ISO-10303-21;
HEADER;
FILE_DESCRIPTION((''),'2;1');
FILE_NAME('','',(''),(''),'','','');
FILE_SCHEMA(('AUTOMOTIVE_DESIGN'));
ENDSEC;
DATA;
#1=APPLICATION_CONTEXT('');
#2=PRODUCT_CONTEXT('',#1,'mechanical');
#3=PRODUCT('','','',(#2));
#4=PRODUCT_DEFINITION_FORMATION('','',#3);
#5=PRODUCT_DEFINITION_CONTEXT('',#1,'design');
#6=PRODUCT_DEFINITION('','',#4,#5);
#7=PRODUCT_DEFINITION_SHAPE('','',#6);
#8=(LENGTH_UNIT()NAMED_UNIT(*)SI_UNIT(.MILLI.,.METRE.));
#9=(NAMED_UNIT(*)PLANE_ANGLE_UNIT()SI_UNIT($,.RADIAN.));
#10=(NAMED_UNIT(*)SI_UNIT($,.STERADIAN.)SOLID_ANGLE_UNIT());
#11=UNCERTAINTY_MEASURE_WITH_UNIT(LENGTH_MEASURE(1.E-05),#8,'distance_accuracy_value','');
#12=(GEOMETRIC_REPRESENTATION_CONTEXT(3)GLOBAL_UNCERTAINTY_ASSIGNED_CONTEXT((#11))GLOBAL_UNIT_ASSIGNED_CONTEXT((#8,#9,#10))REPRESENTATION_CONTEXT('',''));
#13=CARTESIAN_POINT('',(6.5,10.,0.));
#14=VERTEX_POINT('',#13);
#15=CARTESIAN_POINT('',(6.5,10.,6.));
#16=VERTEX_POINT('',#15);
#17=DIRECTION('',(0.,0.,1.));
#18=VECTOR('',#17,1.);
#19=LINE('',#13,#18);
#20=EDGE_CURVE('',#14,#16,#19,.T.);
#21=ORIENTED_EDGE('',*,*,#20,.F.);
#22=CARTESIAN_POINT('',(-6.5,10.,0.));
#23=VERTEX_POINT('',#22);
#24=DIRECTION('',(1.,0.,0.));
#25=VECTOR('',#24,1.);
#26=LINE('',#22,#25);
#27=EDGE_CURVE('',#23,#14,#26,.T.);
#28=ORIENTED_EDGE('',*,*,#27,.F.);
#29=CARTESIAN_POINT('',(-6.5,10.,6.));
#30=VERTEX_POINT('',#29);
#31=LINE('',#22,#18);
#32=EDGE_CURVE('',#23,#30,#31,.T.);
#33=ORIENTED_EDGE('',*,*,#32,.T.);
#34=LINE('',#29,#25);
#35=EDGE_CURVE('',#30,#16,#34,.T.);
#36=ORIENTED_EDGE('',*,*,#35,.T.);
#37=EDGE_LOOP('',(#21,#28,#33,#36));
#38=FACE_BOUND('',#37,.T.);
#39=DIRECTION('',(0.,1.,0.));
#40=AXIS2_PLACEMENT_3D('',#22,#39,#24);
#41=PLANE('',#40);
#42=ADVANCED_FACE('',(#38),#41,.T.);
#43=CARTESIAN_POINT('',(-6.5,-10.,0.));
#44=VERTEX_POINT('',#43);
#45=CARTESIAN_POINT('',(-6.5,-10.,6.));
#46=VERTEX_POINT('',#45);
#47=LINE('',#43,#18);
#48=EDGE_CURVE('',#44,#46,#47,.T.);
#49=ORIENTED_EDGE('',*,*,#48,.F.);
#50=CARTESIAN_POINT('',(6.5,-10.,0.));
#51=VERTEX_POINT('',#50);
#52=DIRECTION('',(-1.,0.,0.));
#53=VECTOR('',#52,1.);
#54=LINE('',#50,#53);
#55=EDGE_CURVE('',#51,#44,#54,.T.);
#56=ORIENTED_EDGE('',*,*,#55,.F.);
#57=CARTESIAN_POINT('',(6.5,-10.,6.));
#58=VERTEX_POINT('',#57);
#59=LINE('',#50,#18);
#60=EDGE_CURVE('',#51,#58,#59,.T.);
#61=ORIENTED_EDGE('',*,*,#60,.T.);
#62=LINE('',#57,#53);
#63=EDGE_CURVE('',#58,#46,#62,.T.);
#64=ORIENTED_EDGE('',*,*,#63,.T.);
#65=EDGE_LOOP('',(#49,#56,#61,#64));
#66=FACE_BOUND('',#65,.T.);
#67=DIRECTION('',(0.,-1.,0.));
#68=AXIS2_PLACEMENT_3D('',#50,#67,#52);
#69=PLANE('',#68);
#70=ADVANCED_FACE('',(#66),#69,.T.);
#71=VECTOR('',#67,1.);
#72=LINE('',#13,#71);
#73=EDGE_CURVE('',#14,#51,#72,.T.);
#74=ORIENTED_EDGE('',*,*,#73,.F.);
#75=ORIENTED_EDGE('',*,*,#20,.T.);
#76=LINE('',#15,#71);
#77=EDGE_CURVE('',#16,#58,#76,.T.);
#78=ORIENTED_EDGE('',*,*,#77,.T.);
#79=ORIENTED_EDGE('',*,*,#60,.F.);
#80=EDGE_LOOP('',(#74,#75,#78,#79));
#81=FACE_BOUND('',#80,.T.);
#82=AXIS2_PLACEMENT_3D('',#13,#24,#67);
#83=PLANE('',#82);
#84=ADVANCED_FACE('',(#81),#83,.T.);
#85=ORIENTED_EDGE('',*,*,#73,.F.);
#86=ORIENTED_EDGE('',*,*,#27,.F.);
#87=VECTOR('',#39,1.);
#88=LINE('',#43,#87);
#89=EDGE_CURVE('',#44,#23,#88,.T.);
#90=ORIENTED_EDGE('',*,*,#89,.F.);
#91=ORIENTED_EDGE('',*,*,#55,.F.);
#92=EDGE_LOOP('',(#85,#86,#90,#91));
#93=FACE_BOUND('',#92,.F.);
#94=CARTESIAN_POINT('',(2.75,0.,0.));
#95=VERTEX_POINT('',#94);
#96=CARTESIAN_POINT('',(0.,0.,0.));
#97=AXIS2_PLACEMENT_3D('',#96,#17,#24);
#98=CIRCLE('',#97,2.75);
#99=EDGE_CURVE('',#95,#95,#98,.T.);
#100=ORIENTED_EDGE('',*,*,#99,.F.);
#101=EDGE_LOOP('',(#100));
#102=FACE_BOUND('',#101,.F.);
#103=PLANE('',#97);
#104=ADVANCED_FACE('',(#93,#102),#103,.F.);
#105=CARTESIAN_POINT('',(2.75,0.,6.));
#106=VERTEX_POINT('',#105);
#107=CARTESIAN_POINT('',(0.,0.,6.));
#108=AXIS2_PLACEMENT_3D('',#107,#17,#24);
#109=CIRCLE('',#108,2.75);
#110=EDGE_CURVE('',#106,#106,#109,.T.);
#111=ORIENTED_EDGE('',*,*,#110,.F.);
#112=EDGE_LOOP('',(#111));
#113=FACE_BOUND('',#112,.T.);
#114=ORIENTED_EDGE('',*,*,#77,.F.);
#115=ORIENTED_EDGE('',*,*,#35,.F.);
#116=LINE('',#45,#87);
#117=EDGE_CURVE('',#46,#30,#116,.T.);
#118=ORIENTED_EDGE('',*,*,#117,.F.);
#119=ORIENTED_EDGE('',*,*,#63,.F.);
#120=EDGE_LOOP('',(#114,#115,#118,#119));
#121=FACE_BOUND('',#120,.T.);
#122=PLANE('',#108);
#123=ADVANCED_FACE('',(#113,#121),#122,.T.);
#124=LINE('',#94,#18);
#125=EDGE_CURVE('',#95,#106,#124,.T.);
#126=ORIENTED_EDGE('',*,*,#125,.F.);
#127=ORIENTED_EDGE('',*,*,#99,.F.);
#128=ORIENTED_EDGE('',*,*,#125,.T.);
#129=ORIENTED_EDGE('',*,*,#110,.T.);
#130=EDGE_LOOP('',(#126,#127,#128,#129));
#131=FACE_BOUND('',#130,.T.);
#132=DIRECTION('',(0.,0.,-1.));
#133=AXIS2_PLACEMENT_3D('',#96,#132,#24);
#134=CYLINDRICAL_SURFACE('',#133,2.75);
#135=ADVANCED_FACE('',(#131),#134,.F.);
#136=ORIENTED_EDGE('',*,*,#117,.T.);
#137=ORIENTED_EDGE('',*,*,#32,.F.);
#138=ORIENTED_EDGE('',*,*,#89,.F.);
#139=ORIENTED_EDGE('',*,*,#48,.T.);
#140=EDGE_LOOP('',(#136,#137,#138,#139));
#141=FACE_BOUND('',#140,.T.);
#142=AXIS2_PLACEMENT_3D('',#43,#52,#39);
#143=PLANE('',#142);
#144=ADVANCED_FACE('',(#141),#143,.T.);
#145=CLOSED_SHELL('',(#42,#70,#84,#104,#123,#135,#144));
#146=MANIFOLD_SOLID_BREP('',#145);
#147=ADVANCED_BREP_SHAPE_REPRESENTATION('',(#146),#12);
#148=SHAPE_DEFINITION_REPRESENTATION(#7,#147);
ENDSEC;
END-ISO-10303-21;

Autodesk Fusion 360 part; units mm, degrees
sketch "Sketch1" plane through (0, 0, 0) normal (0, 0, 1) x (1, 0, 0)
  line L0 (6.5, -10) -> (-6.5, -10)
  line L1 (-6.5, -10) -> (-6.5, 10)
  line L2 (-6.5, 10) -> (6.5, 10)
  line L3 (6.5, 10) -> (6.5, -10)
  line L4 (6.5, -10) -> (-6.5, 10) construction
  line L5 (-6.5, -10) -> (6.5, 10) construction
  circle A0 centre (0, 0) radius 2.75
  dimension "d1" = 13
  dimension "d2" = 20
  dimension "d3" = 5.5
extrude "Extrude1" add sketch "Sketch1" along normal blind 6
